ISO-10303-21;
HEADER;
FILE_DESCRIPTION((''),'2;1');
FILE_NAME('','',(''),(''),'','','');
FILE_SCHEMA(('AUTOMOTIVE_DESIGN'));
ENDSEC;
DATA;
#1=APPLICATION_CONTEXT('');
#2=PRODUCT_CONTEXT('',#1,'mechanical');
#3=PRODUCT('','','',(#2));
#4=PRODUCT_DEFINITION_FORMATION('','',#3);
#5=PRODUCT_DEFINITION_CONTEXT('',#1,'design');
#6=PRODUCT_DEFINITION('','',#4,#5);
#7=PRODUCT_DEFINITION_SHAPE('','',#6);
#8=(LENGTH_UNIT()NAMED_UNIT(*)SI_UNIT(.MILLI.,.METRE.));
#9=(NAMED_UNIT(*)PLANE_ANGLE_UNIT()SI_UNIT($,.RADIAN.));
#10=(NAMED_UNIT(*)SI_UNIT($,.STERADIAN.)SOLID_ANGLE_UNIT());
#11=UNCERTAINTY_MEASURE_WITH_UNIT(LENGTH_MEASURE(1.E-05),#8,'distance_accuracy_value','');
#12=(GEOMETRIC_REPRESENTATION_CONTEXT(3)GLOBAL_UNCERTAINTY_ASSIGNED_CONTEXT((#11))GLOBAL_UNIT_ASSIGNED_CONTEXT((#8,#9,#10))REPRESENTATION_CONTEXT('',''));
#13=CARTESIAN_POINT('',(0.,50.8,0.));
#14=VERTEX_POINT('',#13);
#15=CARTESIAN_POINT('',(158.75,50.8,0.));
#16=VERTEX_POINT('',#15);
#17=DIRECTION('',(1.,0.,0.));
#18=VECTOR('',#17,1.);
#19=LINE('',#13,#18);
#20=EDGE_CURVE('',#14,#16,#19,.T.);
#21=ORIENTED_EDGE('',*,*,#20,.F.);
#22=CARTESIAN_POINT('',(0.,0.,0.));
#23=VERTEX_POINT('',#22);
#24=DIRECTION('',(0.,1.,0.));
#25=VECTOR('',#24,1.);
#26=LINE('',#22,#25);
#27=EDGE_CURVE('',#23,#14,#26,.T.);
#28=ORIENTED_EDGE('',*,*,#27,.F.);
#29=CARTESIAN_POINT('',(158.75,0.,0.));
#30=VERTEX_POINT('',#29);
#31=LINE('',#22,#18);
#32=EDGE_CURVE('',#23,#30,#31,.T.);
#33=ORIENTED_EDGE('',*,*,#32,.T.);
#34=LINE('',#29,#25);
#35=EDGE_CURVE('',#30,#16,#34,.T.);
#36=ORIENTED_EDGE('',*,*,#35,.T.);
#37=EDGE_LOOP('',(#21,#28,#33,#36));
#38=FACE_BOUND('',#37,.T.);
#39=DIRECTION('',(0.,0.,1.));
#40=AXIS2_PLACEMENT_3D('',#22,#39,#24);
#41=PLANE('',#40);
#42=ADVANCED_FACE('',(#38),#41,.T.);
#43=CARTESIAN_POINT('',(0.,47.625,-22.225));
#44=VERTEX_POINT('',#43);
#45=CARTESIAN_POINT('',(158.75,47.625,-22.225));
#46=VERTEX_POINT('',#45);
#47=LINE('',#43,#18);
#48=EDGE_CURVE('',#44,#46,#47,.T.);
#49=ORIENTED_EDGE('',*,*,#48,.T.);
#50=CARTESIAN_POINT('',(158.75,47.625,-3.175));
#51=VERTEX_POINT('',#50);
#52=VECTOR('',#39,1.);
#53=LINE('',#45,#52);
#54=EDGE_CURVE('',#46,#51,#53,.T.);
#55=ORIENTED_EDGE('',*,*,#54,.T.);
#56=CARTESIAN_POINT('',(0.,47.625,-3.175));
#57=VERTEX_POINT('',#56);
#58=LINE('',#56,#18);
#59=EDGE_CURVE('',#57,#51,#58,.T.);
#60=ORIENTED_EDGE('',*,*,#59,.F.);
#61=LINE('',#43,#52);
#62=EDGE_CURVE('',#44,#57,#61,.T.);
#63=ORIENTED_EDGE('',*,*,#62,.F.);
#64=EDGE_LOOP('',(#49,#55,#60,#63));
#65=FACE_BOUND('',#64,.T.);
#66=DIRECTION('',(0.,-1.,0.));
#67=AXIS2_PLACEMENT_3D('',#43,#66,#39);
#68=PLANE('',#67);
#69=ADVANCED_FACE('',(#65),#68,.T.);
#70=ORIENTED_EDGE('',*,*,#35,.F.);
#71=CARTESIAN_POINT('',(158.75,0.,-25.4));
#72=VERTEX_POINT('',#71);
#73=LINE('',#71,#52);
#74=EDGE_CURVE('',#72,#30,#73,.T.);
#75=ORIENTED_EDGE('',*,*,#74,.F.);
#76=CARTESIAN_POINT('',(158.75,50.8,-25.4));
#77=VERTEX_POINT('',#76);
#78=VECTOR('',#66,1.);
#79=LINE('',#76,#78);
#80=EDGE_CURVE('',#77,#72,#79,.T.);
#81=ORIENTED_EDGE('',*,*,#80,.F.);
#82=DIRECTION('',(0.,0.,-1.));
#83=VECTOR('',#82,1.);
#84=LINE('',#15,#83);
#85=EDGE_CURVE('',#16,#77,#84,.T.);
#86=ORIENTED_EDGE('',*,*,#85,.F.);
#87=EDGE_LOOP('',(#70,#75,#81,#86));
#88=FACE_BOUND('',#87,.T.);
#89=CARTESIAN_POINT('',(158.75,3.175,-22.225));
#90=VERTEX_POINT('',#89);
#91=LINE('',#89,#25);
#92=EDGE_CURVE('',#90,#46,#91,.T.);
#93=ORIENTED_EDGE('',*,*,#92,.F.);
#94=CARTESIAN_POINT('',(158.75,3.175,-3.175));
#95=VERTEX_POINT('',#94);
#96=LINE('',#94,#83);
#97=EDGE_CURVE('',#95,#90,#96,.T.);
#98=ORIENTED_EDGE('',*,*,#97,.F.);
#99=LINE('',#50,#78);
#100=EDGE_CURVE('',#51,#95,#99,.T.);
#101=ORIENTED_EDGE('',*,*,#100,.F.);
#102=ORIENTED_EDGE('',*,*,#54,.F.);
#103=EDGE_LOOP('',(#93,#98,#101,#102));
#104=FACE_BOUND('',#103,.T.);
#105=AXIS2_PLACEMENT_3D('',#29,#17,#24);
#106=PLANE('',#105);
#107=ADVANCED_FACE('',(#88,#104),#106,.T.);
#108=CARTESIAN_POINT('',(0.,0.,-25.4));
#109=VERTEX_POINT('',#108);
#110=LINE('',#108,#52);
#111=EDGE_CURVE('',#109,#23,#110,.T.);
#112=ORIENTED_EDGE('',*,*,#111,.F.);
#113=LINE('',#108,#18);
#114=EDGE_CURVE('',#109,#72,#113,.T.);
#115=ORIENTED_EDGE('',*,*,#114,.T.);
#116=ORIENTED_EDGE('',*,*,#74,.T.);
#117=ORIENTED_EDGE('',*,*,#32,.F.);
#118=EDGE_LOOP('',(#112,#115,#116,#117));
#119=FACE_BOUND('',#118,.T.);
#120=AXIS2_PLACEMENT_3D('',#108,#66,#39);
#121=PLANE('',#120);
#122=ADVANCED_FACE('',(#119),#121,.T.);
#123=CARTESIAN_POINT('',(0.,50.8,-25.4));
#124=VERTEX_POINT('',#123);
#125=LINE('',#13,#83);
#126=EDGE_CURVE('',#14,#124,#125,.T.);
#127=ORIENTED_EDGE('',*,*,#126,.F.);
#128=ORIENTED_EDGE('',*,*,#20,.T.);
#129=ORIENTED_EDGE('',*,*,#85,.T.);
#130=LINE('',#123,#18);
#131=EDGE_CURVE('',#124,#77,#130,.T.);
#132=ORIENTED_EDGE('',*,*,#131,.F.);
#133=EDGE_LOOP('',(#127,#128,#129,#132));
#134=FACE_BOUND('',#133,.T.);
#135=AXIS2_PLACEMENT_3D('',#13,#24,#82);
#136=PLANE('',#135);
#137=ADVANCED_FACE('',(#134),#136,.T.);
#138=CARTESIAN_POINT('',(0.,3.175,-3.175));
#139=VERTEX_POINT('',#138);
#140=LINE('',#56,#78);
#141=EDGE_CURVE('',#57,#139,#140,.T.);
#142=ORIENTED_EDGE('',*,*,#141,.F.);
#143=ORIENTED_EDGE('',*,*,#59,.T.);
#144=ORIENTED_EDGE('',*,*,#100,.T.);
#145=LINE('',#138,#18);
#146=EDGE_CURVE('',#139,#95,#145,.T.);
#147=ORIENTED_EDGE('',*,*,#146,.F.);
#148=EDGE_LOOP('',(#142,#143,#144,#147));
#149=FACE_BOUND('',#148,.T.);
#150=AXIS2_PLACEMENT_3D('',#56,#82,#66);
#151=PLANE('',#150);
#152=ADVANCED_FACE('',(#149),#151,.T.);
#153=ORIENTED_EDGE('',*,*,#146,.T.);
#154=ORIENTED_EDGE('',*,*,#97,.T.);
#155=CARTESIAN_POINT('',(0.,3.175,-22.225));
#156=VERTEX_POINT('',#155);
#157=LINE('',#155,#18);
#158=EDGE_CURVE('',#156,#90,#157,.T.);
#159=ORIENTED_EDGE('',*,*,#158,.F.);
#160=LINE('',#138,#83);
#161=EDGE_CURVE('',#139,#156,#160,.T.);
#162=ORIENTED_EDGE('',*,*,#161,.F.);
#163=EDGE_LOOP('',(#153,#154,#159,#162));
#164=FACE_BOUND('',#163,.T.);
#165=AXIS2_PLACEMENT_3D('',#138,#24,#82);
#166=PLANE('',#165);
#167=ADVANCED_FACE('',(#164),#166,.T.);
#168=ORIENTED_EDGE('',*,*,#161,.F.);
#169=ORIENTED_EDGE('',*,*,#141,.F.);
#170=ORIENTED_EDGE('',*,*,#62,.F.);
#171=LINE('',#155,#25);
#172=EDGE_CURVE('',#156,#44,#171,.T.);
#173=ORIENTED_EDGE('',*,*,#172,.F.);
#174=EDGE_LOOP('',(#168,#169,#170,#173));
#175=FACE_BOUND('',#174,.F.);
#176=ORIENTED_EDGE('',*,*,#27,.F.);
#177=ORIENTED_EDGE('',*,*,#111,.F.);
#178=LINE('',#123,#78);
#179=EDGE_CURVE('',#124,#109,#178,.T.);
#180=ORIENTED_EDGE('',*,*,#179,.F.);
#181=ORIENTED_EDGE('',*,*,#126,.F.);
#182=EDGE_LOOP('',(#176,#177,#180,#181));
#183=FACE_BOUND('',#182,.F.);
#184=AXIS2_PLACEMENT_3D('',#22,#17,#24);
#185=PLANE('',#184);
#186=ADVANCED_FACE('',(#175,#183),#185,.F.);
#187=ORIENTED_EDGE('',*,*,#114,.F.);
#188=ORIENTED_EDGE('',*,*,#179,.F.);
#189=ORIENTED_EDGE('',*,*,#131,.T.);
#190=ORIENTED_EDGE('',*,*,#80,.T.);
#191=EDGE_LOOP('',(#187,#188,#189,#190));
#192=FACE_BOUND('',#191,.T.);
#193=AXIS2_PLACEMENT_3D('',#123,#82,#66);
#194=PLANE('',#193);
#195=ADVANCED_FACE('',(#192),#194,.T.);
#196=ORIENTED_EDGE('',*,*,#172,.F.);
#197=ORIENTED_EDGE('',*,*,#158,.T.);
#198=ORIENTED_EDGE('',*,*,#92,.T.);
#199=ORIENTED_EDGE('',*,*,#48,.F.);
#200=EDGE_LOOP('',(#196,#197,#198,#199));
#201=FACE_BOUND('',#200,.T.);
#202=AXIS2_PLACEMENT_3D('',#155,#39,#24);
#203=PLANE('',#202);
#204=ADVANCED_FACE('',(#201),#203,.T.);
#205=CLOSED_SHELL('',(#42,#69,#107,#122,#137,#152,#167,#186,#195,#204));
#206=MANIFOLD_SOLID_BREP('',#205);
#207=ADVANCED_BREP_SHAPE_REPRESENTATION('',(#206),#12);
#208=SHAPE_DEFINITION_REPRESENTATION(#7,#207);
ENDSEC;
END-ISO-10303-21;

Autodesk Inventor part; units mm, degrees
ref_plane "YZ Plane" through (0, 0, 0) normal (1, 0, 0) x (0, 1, 0)
ref_plane "XZ Plane" through (0, 0, 0) normal (0, 1, 0) x (-1, 0, 0)
ref_plane "XY Plane" through (0, 0, 0) normal (0, 0, 1) x (1, 0, 0)
sketch "Sketch1" plane through (0, 0, 0) normal (1, 0, 0) x (0, 1, 0)
  line L0 (0, 0) -> (50.8, 0)
  line L1 (50.8, 0) -> (50.8, -25.4)
  line L2 (50.8, -25.4) -> (0, -25.4)
  line L3 (0, -25.4) -> (0, 0)
  line L4 (47.625, -22.225) -> (47.625, -3.175)
  line L5 (47.625, -3.175) -> (3.175, -3.175)
  line L6 (3.175, -3.175) -> (3.175, -22.225)
  line L7 (3.175, -22.225) -> (47.625, -22.225)
  dimension "d0" = 50.8
  dimension "d1" = 25.4
  dimension "d2" = 3.175
extrude "Extrusion1" add sketch "Sketch1" along normal blind 158.75
properties part number "frontbar6.25" material "Aluminum 6061"
